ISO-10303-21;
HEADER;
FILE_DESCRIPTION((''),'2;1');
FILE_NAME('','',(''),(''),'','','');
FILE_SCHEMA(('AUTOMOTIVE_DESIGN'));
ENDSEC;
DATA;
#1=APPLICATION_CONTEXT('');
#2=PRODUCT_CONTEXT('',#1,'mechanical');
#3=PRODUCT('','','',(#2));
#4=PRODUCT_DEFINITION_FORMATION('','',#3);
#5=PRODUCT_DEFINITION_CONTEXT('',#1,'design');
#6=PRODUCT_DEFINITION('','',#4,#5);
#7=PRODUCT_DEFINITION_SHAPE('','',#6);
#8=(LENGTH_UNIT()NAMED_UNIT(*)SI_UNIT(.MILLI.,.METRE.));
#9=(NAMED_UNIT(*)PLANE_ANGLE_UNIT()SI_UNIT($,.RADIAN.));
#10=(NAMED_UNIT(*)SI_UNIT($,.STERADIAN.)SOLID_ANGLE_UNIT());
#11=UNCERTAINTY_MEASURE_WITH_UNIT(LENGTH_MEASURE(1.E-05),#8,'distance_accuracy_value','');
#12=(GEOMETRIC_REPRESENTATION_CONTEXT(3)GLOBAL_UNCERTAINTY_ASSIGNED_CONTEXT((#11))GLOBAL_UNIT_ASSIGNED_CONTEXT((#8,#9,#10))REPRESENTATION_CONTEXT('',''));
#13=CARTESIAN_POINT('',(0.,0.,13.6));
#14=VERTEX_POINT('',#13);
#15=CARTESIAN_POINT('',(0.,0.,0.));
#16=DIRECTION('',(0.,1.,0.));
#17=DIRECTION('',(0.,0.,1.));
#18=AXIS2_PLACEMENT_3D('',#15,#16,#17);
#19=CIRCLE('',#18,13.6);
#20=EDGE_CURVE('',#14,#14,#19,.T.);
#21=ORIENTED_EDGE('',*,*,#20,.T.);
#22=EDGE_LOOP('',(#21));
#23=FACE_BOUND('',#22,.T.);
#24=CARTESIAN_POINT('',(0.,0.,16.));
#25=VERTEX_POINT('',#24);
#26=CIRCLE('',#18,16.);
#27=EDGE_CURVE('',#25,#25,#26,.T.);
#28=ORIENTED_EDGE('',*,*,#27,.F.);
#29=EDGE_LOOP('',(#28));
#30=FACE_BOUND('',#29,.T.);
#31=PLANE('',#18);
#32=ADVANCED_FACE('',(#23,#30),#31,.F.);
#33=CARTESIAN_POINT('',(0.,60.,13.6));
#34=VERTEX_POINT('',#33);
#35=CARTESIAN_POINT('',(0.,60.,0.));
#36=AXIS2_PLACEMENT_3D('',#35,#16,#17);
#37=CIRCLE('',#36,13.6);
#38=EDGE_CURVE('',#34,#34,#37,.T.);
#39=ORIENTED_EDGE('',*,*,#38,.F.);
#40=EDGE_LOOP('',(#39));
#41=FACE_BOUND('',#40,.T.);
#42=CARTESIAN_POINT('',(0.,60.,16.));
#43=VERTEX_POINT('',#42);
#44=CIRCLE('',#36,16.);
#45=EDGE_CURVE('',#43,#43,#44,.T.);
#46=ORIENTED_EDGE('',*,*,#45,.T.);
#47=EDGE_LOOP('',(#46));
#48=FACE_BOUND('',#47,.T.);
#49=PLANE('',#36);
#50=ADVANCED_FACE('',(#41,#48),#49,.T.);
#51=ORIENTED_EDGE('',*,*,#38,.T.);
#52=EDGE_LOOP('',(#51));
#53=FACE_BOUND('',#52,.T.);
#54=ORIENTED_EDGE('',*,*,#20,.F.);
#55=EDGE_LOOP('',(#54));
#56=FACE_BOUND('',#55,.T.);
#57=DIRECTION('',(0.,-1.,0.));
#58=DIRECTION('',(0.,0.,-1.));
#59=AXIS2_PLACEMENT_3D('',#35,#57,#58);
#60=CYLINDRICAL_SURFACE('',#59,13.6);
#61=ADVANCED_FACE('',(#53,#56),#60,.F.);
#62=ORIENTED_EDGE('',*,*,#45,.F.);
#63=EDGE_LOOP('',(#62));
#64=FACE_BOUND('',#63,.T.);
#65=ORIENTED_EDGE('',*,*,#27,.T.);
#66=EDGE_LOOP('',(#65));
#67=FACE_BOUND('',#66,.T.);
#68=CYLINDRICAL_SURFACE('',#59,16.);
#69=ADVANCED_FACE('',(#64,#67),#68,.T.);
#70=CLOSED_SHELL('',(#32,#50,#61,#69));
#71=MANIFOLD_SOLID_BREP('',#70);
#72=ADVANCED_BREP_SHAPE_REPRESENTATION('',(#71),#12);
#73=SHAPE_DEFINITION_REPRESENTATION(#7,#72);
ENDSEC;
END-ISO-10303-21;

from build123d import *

# Parameters (mm, degrees)
SKETCH_1_R      = 16
SKETCH_1_R_2    = 13.6
EXTRUDE_1_DEPTH = 60


with BuildPart() as part:
    # 草图1 → 凸台-拉伸1 (new body)
    with BuildSketch(Plane(origin=(0, 0, 0), x_dir=(1, 0, 0), z_dir=(0, 1, 0))):
        with Locations(Location((0, 0, 0), (0, 0, 270))):
            Circle(SKETCH_1_R)
        with Locations(Location((0, 0, 0), (0, 0, 270))):
            Circle(SKETCH_1_R_2, mode=Mode.SUBTRACT)
    extrude(amount=EXTRUDE_1_DEPTH)


solid = part.part
